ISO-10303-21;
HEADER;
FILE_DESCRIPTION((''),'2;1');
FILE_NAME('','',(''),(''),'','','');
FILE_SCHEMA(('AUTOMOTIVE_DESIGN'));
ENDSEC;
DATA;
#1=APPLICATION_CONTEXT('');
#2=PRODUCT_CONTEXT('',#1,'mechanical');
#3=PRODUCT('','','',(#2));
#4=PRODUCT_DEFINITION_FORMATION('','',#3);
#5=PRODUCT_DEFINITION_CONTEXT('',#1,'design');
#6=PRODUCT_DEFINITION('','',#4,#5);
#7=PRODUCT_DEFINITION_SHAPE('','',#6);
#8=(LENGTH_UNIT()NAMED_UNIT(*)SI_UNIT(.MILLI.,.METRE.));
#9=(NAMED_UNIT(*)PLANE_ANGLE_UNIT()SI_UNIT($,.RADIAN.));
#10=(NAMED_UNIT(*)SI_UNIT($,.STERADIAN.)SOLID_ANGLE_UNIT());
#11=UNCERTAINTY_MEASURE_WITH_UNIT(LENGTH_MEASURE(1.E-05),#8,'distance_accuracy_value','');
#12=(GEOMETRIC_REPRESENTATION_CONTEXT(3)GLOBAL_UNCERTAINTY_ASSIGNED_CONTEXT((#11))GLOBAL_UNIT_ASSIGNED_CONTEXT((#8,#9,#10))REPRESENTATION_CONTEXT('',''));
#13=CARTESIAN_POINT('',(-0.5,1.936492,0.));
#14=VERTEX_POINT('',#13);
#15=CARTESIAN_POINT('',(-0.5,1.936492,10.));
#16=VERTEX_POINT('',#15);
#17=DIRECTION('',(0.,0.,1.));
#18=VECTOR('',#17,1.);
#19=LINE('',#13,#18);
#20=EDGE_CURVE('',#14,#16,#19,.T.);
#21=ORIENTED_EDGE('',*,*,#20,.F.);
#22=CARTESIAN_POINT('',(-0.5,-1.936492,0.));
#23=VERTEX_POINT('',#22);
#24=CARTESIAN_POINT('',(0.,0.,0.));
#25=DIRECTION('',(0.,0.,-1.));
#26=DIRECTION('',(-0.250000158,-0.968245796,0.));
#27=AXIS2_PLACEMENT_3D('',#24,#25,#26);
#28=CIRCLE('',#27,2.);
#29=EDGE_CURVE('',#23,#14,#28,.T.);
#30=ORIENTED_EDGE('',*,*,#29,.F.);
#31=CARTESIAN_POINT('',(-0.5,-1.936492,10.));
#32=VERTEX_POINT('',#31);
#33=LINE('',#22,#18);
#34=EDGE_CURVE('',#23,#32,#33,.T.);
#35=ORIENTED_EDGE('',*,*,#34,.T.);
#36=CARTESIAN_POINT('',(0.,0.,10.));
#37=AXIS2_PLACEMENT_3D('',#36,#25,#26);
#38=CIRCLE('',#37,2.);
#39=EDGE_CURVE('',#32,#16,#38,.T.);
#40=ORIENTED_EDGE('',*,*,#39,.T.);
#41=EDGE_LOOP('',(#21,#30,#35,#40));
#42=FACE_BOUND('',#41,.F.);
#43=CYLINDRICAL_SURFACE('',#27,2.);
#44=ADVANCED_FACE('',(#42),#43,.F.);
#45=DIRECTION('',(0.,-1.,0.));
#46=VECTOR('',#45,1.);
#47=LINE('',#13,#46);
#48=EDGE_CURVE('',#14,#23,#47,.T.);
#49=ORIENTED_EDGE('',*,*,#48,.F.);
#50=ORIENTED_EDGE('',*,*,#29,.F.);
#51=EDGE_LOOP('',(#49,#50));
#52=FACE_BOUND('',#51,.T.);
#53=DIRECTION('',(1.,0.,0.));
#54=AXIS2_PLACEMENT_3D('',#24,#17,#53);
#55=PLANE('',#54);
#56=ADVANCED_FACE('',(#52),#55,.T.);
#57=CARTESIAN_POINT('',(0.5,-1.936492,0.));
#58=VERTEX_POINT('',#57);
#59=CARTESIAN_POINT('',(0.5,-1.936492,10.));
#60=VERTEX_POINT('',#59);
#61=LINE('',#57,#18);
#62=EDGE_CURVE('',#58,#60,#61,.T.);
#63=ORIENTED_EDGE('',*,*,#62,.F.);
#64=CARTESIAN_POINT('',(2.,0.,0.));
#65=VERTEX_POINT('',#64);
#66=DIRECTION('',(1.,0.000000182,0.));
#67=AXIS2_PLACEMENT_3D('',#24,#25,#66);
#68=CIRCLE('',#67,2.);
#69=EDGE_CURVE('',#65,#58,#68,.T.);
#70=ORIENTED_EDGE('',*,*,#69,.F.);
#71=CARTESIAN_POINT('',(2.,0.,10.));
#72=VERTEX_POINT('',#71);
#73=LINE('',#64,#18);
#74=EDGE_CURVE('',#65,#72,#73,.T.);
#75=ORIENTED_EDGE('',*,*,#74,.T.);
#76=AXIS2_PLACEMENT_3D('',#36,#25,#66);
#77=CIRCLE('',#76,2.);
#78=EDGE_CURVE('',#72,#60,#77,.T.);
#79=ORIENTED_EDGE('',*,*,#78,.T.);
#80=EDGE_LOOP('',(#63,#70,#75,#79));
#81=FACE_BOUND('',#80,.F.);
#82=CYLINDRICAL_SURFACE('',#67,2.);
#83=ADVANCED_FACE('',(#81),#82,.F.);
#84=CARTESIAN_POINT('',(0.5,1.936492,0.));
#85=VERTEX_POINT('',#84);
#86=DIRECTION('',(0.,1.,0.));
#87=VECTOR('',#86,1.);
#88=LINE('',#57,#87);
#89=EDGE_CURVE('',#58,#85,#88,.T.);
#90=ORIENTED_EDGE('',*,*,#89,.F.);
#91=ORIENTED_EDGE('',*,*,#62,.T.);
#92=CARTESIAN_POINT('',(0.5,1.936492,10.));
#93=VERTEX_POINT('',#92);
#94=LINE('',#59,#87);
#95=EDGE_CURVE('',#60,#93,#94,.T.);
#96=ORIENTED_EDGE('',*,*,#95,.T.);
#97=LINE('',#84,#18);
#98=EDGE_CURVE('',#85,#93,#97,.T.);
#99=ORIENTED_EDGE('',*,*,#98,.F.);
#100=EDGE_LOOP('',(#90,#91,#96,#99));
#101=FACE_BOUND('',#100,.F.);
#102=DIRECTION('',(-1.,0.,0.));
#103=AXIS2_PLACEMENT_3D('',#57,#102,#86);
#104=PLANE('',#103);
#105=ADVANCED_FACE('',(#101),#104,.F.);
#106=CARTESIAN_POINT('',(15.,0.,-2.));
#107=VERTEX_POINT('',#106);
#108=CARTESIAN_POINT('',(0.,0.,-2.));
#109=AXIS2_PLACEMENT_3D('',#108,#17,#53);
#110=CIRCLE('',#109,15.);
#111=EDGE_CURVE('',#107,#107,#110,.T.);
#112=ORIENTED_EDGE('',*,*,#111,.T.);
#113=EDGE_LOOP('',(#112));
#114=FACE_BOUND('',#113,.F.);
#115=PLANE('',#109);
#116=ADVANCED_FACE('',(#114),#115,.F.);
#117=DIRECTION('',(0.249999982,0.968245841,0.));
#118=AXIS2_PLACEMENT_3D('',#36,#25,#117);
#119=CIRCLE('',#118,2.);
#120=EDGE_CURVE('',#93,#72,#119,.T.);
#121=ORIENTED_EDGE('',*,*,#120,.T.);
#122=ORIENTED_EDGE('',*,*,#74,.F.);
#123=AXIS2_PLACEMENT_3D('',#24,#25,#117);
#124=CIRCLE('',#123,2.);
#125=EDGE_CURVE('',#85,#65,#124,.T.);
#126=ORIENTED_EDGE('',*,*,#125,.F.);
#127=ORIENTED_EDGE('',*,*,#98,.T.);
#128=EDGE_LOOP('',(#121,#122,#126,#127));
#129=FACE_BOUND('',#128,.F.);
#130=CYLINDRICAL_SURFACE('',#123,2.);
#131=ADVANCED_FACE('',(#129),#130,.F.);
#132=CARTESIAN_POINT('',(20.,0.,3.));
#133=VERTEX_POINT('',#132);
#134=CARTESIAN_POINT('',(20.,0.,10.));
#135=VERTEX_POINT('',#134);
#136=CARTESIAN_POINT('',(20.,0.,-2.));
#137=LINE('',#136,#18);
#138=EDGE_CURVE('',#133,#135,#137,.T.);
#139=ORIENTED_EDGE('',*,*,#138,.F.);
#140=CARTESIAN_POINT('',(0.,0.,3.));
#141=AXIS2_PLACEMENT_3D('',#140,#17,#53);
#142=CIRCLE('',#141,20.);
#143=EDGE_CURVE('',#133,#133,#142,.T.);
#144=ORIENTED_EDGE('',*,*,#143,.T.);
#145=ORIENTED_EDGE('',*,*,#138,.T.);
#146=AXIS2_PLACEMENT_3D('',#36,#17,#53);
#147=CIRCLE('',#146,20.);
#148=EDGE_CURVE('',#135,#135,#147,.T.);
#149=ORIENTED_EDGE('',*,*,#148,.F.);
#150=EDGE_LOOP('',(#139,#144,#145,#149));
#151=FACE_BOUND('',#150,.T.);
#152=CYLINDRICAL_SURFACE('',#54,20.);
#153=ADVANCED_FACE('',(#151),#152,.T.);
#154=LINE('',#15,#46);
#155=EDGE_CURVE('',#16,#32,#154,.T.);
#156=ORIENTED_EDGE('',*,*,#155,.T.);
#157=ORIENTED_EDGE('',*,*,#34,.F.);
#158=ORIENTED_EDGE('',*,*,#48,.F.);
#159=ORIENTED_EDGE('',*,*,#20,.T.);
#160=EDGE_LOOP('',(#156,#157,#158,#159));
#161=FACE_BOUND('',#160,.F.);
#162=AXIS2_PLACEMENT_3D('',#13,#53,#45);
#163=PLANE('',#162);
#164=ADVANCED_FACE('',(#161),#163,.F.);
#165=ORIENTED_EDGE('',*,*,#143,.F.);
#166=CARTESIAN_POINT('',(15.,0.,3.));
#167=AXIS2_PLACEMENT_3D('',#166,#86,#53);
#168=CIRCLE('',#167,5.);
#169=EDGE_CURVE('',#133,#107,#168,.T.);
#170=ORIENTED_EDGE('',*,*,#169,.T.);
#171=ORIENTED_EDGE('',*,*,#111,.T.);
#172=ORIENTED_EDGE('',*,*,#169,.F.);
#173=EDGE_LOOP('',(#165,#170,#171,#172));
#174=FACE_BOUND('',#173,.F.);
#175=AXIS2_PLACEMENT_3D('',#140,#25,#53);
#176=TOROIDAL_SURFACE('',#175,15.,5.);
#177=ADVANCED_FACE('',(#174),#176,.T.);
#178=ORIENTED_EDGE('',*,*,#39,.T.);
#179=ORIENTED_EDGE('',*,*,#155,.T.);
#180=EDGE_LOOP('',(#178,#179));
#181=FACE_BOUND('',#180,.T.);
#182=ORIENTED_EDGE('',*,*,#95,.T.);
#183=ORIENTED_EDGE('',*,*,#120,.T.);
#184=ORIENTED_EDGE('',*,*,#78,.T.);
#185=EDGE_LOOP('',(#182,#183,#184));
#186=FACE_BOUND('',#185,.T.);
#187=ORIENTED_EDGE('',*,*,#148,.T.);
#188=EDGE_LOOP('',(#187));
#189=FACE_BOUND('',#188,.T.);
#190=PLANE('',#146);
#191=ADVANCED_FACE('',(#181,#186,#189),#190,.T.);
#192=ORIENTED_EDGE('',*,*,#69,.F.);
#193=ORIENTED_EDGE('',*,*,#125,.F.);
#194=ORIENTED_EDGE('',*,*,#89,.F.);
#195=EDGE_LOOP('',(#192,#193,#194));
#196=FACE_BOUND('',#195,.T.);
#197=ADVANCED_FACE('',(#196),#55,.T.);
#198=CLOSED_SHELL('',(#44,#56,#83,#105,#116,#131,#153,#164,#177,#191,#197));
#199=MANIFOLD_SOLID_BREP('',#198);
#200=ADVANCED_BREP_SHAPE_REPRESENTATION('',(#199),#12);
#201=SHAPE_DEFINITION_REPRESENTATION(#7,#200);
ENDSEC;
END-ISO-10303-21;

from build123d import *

# Parameters (mm, degrees)
F0_R     = 20
F1_DEPTH = 10
F2_DEPTH = 2
F3_R     = 5


with BuildPart() as f1:
    # F0 (on Top) → F1 (new body)
    with BuildSketch(Plane.XY):
        Circle(F0_R)
        with BuildLine():
            ThreePointArc((0.5, 1.936492), (1.581139, 1.224745), (2, 0))
            ThreePointArc((2, 0), (1.581139, -1.224745), (0.5, -1.936492))
            ThreePointArc((0.5, -1.936492), (0, -2), (-0.5, -1.936492))
            ThreePointArc((-0.5, -1.936492), (-2, 0), (-0.5, 1.936492))
            ThreePointArc((-0.5, 1.936492), (0, 2), (0.5, 1.936492))
        make_face(mode=Mode.SUBTRACT)
        with BuildLine():
            Line((0.5, 0), (0.5, 1.936492))
            ThreePointArc((0.5, 1.936492), (0, 2), (-0.5, 1.936492))
            Line((-0.5, 1.936492), (-0.5, 0))
            Line((-0.5, 0), (-0.5, -1.936492))
            ThreePointArc((-0.5, -1.936492), (0, -2), (0.5, -1.936492))
            Line((0.5, -1.936492), (0.5, 0))
        make_face()
    extrude(amount=F1_DEPTH)

    # F0 (on Top) → F2 (join)
    with BuildSketch(Plane.XY):
        Circle(F0_R)
        with BuildLine():
            ThreePointArc((0.5, 1.936492), (1.581139, 1.224745), (2, 0))
            ThreePointArc((2, 0), (1.581139, -1.224745), (0.5, -1.936492))
            ThreePointArc((0.5, -1.936492), (0, -2), (-0.5, -1.936492))
            ThreePointArc((-0.5, -1.936492), (-2, 0), (-0.5, 1.936492))
            ThreePointArc((-0.5, 1.936492), (0, 2), (0.5, 1.936492))
        make_face(mode=Mode.SUBTRACT)
        with BuildLine():
            ThreePointArc((0.5, -1.936492), (1.581139, -1.224745), (2, 0))
            ThreePointArc((2, 0), (1.581139, 1.224745), (0.5, 1.936492))
            Line((0.5, 1.936492), (0.5, 0))
            Line((0.5, 0), (0.5, -1.936492))
        make_face()
        with BuildLine():
            Line((-0.5, 0), (-0.5, 1.936492))
            ThreePointArc((-0.5, 1.936492), (-2, 0), (-0.5, -1.936492))
            Line((-0.5, -1.936492), (-0.5, 0))
        make_face()
        with BuildLine():
            Line((0.5, 0), (0.5, 1.936492))
            ThreePointArc((0.5, 1.936492), (0, 2), (-0.5, 1.936492))
            Line((-0.5, 1.936492), (-0.5, 0))
            Line((-0.5, 0), (-0.5, -1.936492))
            ThreePointArc((-0.5, -1.936492), (0, -2), (0.5, -1.936492))
            Line((0.5, -1.936492), (0.5, 0))
        make_face()
    extrude(amount=-F2_DEPTH)

    # F3
    f3_edges = [f1.edges().sort_by_distance(p)[0] for p in [
        (-20, 0, -2),
    ]]
    fillet(f3_edges, radius=F3_R)


solid = f1.part
